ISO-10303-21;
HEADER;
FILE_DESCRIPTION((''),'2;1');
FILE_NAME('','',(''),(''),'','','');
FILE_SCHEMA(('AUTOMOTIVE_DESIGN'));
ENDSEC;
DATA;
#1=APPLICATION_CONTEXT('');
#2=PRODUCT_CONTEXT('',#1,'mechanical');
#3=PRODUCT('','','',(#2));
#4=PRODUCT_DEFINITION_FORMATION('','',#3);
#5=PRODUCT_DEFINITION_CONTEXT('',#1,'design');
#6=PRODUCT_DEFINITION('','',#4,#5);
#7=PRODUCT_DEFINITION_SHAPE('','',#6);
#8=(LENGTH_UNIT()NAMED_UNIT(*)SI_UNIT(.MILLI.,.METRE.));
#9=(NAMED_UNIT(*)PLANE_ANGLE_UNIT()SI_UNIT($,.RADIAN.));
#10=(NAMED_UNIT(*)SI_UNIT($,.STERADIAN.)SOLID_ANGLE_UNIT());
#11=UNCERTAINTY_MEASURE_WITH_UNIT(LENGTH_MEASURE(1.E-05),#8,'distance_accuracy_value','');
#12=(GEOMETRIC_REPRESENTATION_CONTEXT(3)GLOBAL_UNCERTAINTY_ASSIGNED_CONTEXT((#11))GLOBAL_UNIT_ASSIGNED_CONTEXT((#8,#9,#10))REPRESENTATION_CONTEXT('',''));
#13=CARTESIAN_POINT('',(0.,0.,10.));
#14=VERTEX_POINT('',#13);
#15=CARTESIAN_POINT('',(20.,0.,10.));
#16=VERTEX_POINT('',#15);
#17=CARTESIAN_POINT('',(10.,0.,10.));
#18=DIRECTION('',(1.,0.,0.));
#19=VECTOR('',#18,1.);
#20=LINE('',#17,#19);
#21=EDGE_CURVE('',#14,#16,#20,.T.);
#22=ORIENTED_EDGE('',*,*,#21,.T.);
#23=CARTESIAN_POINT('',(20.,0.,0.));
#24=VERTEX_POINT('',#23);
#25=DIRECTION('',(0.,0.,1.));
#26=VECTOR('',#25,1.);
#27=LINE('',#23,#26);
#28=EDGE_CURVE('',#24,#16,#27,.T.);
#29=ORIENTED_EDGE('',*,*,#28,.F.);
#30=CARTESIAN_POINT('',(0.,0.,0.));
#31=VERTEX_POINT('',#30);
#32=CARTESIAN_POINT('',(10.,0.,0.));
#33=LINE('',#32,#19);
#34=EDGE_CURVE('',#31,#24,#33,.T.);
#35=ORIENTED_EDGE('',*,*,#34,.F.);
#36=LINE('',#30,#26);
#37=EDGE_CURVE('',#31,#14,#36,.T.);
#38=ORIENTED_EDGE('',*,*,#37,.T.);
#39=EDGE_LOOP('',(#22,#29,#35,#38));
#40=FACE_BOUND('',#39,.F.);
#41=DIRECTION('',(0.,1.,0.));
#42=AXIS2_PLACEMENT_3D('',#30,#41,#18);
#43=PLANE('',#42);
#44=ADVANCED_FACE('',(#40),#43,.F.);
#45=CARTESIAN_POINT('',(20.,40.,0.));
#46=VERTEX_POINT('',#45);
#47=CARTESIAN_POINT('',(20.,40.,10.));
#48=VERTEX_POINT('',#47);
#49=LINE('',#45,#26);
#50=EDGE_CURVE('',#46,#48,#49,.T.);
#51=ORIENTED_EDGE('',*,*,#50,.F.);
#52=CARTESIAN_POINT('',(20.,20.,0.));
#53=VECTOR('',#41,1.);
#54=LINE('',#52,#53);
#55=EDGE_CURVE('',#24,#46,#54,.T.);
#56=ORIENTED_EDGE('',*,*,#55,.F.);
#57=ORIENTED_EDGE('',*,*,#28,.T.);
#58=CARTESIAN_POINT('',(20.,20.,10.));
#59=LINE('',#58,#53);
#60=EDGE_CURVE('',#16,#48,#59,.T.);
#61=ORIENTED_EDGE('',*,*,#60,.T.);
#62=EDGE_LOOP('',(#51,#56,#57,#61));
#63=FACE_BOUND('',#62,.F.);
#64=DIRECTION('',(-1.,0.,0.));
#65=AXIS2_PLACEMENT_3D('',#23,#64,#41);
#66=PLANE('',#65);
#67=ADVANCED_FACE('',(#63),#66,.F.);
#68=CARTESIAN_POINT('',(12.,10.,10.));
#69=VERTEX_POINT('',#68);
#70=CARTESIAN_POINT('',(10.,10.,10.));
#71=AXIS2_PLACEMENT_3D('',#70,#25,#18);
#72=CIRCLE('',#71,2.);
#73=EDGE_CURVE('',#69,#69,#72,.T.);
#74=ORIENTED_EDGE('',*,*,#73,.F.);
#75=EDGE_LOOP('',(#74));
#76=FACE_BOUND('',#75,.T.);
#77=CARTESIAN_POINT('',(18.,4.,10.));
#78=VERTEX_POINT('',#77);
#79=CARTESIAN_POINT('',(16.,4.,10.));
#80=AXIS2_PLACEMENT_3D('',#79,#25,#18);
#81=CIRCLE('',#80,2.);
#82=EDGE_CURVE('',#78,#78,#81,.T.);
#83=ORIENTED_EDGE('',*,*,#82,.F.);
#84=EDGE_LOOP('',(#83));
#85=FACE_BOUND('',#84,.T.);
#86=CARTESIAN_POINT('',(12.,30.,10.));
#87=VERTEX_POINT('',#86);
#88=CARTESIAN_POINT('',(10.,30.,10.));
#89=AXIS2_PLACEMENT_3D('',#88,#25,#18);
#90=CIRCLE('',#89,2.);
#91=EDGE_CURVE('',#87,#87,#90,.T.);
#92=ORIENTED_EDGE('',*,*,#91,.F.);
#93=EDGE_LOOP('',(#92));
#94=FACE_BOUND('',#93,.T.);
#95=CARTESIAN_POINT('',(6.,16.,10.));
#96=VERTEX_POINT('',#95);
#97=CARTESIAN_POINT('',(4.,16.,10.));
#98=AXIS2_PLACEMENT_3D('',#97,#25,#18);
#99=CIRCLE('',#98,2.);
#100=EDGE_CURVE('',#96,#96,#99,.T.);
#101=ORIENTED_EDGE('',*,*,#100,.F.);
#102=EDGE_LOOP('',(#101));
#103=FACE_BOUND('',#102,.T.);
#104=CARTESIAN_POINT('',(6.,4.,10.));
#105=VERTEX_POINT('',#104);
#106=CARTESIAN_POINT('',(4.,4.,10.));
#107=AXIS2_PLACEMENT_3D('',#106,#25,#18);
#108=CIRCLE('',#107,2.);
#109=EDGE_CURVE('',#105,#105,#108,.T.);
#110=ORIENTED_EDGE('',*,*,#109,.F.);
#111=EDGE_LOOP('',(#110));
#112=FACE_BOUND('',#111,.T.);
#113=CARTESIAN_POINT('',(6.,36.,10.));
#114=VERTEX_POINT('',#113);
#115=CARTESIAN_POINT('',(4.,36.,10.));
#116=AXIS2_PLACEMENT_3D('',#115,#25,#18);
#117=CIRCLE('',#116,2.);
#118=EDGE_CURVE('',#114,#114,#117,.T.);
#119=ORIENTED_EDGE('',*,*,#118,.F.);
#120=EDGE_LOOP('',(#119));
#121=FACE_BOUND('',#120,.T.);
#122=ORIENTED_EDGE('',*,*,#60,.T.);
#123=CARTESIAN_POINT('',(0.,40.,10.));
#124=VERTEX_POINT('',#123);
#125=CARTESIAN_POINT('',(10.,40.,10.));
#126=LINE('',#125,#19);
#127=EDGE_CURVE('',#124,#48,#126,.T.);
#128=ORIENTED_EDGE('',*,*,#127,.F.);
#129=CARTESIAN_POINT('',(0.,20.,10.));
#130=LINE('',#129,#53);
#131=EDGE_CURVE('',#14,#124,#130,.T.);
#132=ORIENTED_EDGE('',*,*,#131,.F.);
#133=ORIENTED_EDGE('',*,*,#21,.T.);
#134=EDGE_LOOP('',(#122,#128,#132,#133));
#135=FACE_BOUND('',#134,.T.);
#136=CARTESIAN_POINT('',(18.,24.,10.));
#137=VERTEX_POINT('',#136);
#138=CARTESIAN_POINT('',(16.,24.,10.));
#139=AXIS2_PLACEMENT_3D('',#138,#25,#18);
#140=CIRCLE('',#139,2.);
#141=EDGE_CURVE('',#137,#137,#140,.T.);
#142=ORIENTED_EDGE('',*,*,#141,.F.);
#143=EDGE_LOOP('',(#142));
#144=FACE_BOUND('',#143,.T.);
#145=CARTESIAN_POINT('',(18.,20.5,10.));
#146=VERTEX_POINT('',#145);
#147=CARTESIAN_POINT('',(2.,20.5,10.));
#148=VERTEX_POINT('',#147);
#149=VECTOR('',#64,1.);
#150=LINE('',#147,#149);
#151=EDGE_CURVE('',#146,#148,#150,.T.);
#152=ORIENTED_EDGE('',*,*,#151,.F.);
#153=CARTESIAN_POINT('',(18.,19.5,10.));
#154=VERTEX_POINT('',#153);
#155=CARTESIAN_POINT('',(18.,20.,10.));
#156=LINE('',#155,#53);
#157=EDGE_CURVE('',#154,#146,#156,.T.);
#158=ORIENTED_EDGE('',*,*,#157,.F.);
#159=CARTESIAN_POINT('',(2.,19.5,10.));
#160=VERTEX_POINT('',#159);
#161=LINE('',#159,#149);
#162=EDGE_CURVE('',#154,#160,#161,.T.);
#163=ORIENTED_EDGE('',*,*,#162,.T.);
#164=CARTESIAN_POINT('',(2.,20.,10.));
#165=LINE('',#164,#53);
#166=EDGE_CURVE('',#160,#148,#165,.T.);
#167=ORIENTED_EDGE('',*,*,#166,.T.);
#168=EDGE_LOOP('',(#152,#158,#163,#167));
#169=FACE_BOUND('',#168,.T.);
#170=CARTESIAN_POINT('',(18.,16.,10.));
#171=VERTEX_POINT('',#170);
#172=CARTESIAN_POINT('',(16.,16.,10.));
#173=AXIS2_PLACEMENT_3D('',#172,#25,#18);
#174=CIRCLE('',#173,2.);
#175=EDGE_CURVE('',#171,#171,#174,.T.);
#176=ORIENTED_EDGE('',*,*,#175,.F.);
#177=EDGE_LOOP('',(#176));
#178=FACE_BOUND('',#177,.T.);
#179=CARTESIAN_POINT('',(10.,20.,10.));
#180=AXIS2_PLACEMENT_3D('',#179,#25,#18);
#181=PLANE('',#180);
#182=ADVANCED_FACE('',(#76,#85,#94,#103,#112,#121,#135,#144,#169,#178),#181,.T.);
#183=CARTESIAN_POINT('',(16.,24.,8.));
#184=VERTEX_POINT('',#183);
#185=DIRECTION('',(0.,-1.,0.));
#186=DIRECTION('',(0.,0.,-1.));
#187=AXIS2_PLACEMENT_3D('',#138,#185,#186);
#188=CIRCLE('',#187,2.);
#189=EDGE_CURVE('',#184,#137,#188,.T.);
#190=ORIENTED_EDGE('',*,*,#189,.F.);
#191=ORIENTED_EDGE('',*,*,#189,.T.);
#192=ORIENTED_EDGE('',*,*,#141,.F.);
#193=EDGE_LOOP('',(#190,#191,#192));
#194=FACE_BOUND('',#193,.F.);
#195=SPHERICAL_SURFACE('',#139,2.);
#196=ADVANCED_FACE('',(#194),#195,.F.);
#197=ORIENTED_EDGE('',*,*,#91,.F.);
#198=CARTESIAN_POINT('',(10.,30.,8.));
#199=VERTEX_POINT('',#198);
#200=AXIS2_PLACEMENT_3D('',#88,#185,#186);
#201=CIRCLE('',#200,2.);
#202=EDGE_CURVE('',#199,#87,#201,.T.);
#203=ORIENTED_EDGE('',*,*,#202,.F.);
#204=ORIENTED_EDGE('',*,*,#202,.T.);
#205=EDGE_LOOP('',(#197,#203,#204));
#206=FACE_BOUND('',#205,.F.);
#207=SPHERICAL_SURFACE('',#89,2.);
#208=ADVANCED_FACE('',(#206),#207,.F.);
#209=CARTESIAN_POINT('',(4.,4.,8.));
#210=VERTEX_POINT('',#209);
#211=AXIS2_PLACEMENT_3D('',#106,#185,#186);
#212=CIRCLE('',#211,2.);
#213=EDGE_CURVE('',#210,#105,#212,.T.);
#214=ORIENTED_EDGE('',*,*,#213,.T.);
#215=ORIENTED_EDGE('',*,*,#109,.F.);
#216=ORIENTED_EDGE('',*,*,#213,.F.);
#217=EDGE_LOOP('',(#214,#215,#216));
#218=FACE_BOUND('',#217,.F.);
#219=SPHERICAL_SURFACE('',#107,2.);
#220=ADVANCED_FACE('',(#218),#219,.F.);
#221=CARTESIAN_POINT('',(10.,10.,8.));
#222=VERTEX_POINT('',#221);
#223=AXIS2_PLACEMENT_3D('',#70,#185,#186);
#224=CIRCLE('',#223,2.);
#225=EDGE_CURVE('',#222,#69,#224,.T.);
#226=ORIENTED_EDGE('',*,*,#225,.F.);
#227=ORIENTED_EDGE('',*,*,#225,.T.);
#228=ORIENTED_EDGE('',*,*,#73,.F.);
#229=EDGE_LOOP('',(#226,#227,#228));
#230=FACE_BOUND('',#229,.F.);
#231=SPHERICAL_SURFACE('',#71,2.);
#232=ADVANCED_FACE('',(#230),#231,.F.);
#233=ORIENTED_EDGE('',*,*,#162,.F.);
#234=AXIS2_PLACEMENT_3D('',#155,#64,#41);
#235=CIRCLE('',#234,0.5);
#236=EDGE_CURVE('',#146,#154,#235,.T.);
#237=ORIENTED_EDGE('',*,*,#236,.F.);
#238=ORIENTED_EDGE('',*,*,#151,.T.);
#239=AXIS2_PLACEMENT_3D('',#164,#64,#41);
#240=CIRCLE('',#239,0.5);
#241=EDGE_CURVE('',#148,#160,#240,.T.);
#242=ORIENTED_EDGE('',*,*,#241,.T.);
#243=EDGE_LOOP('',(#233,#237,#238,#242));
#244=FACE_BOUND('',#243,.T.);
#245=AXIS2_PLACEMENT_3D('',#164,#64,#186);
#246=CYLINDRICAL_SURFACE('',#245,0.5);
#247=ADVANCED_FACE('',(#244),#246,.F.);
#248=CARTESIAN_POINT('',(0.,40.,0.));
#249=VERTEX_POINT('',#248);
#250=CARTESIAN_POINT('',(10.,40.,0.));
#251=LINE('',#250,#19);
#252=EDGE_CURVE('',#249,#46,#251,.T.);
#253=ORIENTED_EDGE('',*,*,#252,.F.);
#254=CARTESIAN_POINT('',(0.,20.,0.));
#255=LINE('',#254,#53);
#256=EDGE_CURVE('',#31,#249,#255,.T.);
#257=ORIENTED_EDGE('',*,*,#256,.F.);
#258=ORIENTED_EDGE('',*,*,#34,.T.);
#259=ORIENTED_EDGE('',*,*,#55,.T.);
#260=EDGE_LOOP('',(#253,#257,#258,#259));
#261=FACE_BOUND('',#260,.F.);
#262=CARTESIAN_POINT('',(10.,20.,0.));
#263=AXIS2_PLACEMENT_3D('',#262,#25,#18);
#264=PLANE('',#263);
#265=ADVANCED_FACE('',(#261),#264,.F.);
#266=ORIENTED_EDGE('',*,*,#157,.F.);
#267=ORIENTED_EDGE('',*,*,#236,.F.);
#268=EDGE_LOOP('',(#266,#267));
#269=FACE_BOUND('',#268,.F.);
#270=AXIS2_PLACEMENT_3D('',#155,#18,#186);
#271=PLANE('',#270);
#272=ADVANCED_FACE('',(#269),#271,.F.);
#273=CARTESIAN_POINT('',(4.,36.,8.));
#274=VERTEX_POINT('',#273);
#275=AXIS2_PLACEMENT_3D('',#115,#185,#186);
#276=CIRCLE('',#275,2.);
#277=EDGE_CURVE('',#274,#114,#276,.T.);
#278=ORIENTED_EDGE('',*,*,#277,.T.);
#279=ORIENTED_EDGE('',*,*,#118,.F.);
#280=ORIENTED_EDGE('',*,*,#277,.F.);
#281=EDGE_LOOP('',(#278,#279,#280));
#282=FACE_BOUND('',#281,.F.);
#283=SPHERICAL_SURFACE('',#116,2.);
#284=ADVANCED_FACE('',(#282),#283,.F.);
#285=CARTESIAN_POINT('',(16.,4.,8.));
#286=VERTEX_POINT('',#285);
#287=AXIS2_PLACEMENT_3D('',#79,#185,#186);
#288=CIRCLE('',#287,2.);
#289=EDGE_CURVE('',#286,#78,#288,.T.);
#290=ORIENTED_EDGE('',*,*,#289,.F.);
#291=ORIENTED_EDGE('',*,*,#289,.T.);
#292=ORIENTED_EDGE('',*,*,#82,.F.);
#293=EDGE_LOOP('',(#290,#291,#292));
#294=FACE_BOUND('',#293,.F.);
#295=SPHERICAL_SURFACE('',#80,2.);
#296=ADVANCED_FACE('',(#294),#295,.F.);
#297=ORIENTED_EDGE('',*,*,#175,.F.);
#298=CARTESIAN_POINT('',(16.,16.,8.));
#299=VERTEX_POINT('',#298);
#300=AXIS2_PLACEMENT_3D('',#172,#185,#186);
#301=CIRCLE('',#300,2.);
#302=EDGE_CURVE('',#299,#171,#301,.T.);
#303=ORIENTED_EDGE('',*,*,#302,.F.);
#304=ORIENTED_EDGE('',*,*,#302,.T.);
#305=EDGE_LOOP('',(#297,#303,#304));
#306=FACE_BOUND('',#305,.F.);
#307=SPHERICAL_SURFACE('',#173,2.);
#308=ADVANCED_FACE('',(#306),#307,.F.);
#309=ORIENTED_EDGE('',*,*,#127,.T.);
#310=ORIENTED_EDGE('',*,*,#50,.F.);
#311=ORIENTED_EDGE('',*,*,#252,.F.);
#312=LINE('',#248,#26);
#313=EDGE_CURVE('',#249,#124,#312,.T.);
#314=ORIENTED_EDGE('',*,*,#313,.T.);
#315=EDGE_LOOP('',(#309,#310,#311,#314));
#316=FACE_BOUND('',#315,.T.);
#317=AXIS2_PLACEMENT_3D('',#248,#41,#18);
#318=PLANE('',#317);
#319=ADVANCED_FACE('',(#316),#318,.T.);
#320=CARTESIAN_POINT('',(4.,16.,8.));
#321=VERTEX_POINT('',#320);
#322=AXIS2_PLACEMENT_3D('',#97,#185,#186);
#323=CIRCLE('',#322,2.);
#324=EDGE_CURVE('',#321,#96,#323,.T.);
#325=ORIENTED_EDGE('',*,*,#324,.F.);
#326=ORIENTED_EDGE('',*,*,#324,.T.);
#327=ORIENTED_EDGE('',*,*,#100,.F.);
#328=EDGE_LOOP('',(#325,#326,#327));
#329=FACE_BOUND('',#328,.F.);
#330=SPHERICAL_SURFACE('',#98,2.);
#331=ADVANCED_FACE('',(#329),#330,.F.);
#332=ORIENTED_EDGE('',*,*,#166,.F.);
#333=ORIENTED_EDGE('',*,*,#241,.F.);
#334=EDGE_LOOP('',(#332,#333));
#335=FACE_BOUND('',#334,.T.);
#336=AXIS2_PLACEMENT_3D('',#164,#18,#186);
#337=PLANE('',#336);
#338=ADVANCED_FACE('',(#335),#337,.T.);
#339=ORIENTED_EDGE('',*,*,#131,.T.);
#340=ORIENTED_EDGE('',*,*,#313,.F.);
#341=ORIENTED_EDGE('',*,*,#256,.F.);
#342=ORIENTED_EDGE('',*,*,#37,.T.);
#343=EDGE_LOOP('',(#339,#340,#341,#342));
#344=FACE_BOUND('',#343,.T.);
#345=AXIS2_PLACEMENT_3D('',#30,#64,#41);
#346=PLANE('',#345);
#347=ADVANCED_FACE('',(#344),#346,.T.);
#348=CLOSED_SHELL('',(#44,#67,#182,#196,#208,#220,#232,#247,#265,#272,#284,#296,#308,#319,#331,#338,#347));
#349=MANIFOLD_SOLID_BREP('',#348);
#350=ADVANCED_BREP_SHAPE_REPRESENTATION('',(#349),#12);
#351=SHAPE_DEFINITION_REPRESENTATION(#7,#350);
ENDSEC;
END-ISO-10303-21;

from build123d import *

# Parameters (mm, degrees)
CYLINDER_R     = 0.5
CYLINDER_DEPTH = 16
BOX_W          = 20
BOX_H          = 40
BOX_DEPTH      = 10


with BuildPart() as esfera:
    # Sphere → Sphere (revolve)
    with BuildSketch(Plane(origin=(4, 4, 10), x_dir=(1, 0, 0), z_dir=(0, -1, 0))):
        with BuildLine():
            ThreePointArc((0, -2), (2, 0), (0, 2))
            Line((0, 2), (0, -2))
        make_face()
    revolve(axis=Axis((4, 4, 10), (0, 0, 1)))


with BuildPart() as esfera001:
    # Sphere001 → Sphere001 (revolve)
    with BuildSketch(Plane(origin=(16, 4, 10), x_dir=(1, 0, 0), z_dir=(0, -1, 0))):
        with BuildLine():
            ThreePointArc((0, -2), (2, 0), (0, 2))
            Line((0, 2), (0, -2))
        make_face()
    revolve(axis=Axis((16, 4, 10), (0, 0, 1)))


with BuildPart() as esfera002:
    # Sphere002 → Sphere002 (revolve)
    with BuildSketch(Plane(origin=(10, 10, 10), x_dir=(1, 0, 0), z_dir=(0, -1, 0))):
        with BuildLine():
            ThreePointArc((0, -2), (2, 0), (0, 2))
            Line((0, 2), (0, -2))
        make_face()
    revolve(axis=Axis((10, 10, 10), (0, 0, 1)))


with BuildPart() as esfera003:
    # Sphere003 → Sphere003 (revolve)
    with BuildSketch(Plane(origin=(4, 16, 10), x_dir=(1, 0, 0), z_dir=(0, -1, 0))):
        with BuildLine():
            ThreePointArc((0, -2), (2, 0), (0, 2))
            Line((0, 2), (0, -2))
        make_face()
    revolve(axis=Axis((4, 16, 10), (0, 0, 1)))


with BuildPart() as esfera004:
    # Sphere004 → Sphere004 (revolve)
    with BuildSketch(Plane(origin=(16, 16, 10), x_dir=(1, 0, 0), z_dir=(0, -1, 0))):
        with BuildLine():
            ThreePointArc((0, -2), (2, 0), (0, 2))
            Line((0, 2), (0, -2))
        make_face()
    revolve(axis=Axis((16, 16, 10), (0, 0, 1)))


with BuildPart() as cilindre:
    # Cylinder → Cylinder (new body)
    with BuildSketch(Plane(origin=(2, 20, 10), x_dir=(0, 0, -1), z_dir=(1, 0, 0))):
        Circle(CYLINDER_R)
    extrude(amount=CYLINDER_DEPTH)


with BuildPart() as esfera007:
    # Sphere007 → Sphere007 (revolve)
    with BuildSketch(Plane(origin=(16, 24, 10), x_dir=(1, 0, 0), z_dir=(0, -1, 0))):
        with BuildLine():
            ThreePointArc((0, -2), (2, 0), (0, 2))
            Line((0, 2), (0, -2))
        make_face()
    revolve(axis=Axis((16, 24, 10), (0, 0, 1)))


with BuildPart() as esfera006:
    # Sphere006 → Sphere006 (revolve)
    with BuildSketch(Plane(origin=(10, 30, 10), x_dir=(1, 0, 0), z_dir=(0, -1, 0))):
        with BuildLine():
            ThreePointArc((0, -2), (2, 0), (0, 2))
            Line((0, 2), (0, -2))
        make_face()
    revolve(axis=Axis((10, 30, 10), (0, 0, 1)))


with BuildPart() as esfera005:
    # Sphere005 → Sphere005 (revolve)
    with BuildSketch(Plane(origin=(4, 36, 10), x_dir=(1, 0, 0), z_dir=(0, -1, 0))):
        with BuildLine():
            ThreePointArc((0, -2), (2, 0), (0, 2))
            Line((0, 2), (0, -2))
        make_face()
    revolve(axis=Axis((4, 36, 10), (0, 0, 1)))


with BuildPart() as cut008:
    # Box → Box (new body)
    with BuildSketch(Plane.XY):
        with Locations((10, 20)):
            Rectangle(BOX_W, BOX_H)
    extrude(amount=BOX_DEPTH)

    # Cut: cut Esfera005
    add(esfera005.part, mode=Mode.SUBTRACT)

    # Cut001: cut Esfera006
    add(esfera006.part, mode=Mode.SUBTRACT)

    # Cut002: cut Esfera007
    add(esfera007.part, mode=Mode.SUBTRACT)

    # Cut003: cut Cilindre
    add(cilindre.part, mode=Mode.SUBTRACT)

    # Cut004: cut Esfera004
    add(esfera004.part, mode=Mode.SUBTRACT)

    # Cut005: cut Esfera003
    add(esfera003.part, mode=Mode.SUBTRACT)

    # Cut006: cut Esfera002
    add(esfera002.part, mode=Mode.SUBTRACT)

    # Cut007: cut Esfera001
    add(esfera001.part, mode=Mode.SUBTRACT)

    # Cut008: cut Esfera
    add(esfera.part, mode=Mode.SUBTRACT)


solid = cut008.part
